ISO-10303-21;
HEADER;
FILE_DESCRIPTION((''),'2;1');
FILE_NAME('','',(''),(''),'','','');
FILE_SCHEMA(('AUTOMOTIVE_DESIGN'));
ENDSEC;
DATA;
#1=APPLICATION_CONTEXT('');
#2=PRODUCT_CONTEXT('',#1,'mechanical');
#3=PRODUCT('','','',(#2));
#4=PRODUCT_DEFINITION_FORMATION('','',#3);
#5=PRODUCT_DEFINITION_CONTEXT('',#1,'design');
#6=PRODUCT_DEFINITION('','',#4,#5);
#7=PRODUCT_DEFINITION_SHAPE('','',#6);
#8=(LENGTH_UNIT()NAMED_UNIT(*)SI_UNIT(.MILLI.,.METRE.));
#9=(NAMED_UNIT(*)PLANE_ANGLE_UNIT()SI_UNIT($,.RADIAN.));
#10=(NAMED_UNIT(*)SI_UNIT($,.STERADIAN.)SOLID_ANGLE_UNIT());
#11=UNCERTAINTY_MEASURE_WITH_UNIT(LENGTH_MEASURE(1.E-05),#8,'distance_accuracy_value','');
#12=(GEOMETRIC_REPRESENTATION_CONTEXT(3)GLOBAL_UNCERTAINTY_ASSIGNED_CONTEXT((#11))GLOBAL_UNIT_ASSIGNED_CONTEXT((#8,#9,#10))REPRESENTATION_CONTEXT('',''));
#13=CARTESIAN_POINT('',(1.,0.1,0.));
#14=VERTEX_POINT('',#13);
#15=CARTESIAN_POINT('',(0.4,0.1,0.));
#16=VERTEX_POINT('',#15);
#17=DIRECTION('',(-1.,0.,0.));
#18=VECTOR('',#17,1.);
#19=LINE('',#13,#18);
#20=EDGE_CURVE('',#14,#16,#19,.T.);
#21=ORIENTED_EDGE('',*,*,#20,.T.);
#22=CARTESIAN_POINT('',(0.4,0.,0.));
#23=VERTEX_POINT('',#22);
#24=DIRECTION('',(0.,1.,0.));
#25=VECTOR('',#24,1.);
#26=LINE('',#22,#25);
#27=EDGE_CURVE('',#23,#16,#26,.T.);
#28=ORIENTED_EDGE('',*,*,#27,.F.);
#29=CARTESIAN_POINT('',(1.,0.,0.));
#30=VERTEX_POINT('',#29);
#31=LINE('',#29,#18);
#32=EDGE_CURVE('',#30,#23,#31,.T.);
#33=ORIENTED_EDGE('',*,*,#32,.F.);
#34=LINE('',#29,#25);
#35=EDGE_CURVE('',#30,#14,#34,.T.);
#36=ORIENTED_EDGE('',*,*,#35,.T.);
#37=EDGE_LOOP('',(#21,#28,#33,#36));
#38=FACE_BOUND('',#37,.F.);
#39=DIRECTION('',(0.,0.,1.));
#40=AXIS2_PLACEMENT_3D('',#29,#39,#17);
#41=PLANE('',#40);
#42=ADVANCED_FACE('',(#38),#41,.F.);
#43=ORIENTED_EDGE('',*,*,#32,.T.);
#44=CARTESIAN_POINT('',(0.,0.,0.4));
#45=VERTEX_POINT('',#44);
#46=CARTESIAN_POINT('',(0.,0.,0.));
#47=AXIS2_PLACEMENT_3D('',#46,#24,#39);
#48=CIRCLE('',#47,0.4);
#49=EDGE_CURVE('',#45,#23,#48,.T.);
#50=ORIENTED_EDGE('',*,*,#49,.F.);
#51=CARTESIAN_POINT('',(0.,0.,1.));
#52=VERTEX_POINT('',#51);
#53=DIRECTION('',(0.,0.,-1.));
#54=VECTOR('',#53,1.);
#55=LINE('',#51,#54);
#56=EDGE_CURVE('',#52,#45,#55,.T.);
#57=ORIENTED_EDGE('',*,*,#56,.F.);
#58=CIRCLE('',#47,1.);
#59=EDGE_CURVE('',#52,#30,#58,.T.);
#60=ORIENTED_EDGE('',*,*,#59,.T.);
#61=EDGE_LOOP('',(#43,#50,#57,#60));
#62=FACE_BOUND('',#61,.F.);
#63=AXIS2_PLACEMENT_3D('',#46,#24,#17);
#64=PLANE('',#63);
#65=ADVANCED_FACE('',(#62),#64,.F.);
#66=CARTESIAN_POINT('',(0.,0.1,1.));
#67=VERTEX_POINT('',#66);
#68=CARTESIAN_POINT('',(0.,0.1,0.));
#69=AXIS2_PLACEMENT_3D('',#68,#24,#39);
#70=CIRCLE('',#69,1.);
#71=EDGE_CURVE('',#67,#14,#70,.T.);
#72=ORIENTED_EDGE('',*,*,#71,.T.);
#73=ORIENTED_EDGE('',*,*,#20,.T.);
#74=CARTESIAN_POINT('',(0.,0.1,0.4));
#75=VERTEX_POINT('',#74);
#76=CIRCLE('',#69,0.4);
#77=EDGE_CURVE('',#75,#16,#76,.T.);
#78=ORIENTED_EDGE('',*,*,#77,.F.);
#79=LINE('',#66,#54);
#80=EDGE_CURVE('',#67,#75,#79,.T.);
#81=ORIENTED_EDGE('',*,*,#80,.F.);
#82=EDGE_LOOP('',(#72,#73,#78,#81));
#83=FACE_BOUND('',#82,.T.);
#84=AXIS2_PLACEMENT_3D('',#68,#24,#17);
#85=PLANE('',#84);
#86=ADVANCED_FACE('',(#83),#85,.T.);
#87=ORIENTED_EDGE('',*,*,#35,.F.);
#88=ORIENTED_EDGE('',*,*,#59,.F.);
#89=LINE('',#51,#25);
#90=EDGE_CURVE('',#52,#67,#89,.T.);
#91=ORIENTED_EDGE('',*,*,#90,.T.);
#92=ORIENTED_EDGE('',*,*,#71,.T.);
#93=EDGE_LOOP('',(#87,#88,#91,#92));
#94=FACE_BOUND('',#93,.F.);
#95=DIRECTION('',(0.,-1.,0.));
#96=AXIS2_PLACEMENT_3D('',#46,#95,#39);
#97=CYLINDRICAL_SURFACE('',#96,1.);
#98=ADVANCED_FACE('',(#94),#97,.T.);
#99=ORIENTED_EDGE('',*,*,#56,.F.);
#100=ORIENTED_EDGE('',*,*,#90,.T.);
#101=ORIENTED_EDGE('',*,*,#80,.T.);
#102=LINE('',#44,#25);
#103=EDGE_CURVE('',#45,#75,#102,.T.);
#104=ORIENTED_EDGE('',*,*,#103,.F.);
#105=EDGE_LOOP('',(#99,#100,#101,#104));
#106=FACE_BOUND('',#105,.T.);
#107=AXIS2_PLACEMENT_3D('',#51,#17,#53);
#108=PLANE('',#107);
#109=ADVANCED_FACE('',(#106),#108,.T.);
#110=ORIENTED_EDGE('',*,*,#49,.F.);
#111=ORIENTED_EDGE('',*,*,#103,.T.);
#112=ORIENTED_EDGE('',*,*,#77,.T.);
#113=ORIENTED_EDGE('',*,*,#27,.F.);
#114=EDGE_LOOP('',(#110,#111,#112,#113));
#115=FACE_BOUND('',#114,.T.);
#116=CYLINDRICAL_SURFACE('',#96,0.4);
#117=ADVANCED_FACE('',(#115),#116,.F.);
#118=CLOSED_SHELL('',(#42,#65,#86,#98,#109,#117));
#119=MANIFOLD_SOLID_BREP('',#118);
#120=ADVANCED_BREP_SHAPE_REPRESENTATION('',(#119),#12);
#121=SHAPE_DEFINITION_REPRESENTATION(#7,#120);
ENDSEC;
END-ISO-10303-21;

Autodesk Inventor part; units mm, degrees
ref_plane "YZ Plane" through (0, 0, 0) normal (1, 0, 0) x (0, 1, 0)
ref_plane "XZ Plane" through (0, 0, 0) normal (0, 1, 0) x (-1, 0, 0)
ref_plane "XY Plane" through (0, 0, 0) normal (0, 0, 1) x (1, 0, 0)
sketch "Эскиз2" plane through (0, 0, 0) normal (0, 1, 0) x (-1, 0, 0)
  line L0 (-1, 0) -> (-0.4, 0)
  arc A0 (0, 1) -> (-1, 0) centre (0, 0) ccw
  line L1 (0, 0.4) -> (0, 1) construction
  line L2 (0, 0) -> (-1, 0) construction
  line L3 (0, 1) -> (0, 0.4)
  arc A1 (0, 0.4) -> (-0.4, 0) centre (0, 0) ccw
  dimension "d4" = 90
  dimension "d9" = 2
  dimension "d10" = 0.8
extrude "Выдавливание2" add sketch "Эскиз2" along normal blind 0.1
properties part number "Arch 90" material "Сталь, мягкая"
